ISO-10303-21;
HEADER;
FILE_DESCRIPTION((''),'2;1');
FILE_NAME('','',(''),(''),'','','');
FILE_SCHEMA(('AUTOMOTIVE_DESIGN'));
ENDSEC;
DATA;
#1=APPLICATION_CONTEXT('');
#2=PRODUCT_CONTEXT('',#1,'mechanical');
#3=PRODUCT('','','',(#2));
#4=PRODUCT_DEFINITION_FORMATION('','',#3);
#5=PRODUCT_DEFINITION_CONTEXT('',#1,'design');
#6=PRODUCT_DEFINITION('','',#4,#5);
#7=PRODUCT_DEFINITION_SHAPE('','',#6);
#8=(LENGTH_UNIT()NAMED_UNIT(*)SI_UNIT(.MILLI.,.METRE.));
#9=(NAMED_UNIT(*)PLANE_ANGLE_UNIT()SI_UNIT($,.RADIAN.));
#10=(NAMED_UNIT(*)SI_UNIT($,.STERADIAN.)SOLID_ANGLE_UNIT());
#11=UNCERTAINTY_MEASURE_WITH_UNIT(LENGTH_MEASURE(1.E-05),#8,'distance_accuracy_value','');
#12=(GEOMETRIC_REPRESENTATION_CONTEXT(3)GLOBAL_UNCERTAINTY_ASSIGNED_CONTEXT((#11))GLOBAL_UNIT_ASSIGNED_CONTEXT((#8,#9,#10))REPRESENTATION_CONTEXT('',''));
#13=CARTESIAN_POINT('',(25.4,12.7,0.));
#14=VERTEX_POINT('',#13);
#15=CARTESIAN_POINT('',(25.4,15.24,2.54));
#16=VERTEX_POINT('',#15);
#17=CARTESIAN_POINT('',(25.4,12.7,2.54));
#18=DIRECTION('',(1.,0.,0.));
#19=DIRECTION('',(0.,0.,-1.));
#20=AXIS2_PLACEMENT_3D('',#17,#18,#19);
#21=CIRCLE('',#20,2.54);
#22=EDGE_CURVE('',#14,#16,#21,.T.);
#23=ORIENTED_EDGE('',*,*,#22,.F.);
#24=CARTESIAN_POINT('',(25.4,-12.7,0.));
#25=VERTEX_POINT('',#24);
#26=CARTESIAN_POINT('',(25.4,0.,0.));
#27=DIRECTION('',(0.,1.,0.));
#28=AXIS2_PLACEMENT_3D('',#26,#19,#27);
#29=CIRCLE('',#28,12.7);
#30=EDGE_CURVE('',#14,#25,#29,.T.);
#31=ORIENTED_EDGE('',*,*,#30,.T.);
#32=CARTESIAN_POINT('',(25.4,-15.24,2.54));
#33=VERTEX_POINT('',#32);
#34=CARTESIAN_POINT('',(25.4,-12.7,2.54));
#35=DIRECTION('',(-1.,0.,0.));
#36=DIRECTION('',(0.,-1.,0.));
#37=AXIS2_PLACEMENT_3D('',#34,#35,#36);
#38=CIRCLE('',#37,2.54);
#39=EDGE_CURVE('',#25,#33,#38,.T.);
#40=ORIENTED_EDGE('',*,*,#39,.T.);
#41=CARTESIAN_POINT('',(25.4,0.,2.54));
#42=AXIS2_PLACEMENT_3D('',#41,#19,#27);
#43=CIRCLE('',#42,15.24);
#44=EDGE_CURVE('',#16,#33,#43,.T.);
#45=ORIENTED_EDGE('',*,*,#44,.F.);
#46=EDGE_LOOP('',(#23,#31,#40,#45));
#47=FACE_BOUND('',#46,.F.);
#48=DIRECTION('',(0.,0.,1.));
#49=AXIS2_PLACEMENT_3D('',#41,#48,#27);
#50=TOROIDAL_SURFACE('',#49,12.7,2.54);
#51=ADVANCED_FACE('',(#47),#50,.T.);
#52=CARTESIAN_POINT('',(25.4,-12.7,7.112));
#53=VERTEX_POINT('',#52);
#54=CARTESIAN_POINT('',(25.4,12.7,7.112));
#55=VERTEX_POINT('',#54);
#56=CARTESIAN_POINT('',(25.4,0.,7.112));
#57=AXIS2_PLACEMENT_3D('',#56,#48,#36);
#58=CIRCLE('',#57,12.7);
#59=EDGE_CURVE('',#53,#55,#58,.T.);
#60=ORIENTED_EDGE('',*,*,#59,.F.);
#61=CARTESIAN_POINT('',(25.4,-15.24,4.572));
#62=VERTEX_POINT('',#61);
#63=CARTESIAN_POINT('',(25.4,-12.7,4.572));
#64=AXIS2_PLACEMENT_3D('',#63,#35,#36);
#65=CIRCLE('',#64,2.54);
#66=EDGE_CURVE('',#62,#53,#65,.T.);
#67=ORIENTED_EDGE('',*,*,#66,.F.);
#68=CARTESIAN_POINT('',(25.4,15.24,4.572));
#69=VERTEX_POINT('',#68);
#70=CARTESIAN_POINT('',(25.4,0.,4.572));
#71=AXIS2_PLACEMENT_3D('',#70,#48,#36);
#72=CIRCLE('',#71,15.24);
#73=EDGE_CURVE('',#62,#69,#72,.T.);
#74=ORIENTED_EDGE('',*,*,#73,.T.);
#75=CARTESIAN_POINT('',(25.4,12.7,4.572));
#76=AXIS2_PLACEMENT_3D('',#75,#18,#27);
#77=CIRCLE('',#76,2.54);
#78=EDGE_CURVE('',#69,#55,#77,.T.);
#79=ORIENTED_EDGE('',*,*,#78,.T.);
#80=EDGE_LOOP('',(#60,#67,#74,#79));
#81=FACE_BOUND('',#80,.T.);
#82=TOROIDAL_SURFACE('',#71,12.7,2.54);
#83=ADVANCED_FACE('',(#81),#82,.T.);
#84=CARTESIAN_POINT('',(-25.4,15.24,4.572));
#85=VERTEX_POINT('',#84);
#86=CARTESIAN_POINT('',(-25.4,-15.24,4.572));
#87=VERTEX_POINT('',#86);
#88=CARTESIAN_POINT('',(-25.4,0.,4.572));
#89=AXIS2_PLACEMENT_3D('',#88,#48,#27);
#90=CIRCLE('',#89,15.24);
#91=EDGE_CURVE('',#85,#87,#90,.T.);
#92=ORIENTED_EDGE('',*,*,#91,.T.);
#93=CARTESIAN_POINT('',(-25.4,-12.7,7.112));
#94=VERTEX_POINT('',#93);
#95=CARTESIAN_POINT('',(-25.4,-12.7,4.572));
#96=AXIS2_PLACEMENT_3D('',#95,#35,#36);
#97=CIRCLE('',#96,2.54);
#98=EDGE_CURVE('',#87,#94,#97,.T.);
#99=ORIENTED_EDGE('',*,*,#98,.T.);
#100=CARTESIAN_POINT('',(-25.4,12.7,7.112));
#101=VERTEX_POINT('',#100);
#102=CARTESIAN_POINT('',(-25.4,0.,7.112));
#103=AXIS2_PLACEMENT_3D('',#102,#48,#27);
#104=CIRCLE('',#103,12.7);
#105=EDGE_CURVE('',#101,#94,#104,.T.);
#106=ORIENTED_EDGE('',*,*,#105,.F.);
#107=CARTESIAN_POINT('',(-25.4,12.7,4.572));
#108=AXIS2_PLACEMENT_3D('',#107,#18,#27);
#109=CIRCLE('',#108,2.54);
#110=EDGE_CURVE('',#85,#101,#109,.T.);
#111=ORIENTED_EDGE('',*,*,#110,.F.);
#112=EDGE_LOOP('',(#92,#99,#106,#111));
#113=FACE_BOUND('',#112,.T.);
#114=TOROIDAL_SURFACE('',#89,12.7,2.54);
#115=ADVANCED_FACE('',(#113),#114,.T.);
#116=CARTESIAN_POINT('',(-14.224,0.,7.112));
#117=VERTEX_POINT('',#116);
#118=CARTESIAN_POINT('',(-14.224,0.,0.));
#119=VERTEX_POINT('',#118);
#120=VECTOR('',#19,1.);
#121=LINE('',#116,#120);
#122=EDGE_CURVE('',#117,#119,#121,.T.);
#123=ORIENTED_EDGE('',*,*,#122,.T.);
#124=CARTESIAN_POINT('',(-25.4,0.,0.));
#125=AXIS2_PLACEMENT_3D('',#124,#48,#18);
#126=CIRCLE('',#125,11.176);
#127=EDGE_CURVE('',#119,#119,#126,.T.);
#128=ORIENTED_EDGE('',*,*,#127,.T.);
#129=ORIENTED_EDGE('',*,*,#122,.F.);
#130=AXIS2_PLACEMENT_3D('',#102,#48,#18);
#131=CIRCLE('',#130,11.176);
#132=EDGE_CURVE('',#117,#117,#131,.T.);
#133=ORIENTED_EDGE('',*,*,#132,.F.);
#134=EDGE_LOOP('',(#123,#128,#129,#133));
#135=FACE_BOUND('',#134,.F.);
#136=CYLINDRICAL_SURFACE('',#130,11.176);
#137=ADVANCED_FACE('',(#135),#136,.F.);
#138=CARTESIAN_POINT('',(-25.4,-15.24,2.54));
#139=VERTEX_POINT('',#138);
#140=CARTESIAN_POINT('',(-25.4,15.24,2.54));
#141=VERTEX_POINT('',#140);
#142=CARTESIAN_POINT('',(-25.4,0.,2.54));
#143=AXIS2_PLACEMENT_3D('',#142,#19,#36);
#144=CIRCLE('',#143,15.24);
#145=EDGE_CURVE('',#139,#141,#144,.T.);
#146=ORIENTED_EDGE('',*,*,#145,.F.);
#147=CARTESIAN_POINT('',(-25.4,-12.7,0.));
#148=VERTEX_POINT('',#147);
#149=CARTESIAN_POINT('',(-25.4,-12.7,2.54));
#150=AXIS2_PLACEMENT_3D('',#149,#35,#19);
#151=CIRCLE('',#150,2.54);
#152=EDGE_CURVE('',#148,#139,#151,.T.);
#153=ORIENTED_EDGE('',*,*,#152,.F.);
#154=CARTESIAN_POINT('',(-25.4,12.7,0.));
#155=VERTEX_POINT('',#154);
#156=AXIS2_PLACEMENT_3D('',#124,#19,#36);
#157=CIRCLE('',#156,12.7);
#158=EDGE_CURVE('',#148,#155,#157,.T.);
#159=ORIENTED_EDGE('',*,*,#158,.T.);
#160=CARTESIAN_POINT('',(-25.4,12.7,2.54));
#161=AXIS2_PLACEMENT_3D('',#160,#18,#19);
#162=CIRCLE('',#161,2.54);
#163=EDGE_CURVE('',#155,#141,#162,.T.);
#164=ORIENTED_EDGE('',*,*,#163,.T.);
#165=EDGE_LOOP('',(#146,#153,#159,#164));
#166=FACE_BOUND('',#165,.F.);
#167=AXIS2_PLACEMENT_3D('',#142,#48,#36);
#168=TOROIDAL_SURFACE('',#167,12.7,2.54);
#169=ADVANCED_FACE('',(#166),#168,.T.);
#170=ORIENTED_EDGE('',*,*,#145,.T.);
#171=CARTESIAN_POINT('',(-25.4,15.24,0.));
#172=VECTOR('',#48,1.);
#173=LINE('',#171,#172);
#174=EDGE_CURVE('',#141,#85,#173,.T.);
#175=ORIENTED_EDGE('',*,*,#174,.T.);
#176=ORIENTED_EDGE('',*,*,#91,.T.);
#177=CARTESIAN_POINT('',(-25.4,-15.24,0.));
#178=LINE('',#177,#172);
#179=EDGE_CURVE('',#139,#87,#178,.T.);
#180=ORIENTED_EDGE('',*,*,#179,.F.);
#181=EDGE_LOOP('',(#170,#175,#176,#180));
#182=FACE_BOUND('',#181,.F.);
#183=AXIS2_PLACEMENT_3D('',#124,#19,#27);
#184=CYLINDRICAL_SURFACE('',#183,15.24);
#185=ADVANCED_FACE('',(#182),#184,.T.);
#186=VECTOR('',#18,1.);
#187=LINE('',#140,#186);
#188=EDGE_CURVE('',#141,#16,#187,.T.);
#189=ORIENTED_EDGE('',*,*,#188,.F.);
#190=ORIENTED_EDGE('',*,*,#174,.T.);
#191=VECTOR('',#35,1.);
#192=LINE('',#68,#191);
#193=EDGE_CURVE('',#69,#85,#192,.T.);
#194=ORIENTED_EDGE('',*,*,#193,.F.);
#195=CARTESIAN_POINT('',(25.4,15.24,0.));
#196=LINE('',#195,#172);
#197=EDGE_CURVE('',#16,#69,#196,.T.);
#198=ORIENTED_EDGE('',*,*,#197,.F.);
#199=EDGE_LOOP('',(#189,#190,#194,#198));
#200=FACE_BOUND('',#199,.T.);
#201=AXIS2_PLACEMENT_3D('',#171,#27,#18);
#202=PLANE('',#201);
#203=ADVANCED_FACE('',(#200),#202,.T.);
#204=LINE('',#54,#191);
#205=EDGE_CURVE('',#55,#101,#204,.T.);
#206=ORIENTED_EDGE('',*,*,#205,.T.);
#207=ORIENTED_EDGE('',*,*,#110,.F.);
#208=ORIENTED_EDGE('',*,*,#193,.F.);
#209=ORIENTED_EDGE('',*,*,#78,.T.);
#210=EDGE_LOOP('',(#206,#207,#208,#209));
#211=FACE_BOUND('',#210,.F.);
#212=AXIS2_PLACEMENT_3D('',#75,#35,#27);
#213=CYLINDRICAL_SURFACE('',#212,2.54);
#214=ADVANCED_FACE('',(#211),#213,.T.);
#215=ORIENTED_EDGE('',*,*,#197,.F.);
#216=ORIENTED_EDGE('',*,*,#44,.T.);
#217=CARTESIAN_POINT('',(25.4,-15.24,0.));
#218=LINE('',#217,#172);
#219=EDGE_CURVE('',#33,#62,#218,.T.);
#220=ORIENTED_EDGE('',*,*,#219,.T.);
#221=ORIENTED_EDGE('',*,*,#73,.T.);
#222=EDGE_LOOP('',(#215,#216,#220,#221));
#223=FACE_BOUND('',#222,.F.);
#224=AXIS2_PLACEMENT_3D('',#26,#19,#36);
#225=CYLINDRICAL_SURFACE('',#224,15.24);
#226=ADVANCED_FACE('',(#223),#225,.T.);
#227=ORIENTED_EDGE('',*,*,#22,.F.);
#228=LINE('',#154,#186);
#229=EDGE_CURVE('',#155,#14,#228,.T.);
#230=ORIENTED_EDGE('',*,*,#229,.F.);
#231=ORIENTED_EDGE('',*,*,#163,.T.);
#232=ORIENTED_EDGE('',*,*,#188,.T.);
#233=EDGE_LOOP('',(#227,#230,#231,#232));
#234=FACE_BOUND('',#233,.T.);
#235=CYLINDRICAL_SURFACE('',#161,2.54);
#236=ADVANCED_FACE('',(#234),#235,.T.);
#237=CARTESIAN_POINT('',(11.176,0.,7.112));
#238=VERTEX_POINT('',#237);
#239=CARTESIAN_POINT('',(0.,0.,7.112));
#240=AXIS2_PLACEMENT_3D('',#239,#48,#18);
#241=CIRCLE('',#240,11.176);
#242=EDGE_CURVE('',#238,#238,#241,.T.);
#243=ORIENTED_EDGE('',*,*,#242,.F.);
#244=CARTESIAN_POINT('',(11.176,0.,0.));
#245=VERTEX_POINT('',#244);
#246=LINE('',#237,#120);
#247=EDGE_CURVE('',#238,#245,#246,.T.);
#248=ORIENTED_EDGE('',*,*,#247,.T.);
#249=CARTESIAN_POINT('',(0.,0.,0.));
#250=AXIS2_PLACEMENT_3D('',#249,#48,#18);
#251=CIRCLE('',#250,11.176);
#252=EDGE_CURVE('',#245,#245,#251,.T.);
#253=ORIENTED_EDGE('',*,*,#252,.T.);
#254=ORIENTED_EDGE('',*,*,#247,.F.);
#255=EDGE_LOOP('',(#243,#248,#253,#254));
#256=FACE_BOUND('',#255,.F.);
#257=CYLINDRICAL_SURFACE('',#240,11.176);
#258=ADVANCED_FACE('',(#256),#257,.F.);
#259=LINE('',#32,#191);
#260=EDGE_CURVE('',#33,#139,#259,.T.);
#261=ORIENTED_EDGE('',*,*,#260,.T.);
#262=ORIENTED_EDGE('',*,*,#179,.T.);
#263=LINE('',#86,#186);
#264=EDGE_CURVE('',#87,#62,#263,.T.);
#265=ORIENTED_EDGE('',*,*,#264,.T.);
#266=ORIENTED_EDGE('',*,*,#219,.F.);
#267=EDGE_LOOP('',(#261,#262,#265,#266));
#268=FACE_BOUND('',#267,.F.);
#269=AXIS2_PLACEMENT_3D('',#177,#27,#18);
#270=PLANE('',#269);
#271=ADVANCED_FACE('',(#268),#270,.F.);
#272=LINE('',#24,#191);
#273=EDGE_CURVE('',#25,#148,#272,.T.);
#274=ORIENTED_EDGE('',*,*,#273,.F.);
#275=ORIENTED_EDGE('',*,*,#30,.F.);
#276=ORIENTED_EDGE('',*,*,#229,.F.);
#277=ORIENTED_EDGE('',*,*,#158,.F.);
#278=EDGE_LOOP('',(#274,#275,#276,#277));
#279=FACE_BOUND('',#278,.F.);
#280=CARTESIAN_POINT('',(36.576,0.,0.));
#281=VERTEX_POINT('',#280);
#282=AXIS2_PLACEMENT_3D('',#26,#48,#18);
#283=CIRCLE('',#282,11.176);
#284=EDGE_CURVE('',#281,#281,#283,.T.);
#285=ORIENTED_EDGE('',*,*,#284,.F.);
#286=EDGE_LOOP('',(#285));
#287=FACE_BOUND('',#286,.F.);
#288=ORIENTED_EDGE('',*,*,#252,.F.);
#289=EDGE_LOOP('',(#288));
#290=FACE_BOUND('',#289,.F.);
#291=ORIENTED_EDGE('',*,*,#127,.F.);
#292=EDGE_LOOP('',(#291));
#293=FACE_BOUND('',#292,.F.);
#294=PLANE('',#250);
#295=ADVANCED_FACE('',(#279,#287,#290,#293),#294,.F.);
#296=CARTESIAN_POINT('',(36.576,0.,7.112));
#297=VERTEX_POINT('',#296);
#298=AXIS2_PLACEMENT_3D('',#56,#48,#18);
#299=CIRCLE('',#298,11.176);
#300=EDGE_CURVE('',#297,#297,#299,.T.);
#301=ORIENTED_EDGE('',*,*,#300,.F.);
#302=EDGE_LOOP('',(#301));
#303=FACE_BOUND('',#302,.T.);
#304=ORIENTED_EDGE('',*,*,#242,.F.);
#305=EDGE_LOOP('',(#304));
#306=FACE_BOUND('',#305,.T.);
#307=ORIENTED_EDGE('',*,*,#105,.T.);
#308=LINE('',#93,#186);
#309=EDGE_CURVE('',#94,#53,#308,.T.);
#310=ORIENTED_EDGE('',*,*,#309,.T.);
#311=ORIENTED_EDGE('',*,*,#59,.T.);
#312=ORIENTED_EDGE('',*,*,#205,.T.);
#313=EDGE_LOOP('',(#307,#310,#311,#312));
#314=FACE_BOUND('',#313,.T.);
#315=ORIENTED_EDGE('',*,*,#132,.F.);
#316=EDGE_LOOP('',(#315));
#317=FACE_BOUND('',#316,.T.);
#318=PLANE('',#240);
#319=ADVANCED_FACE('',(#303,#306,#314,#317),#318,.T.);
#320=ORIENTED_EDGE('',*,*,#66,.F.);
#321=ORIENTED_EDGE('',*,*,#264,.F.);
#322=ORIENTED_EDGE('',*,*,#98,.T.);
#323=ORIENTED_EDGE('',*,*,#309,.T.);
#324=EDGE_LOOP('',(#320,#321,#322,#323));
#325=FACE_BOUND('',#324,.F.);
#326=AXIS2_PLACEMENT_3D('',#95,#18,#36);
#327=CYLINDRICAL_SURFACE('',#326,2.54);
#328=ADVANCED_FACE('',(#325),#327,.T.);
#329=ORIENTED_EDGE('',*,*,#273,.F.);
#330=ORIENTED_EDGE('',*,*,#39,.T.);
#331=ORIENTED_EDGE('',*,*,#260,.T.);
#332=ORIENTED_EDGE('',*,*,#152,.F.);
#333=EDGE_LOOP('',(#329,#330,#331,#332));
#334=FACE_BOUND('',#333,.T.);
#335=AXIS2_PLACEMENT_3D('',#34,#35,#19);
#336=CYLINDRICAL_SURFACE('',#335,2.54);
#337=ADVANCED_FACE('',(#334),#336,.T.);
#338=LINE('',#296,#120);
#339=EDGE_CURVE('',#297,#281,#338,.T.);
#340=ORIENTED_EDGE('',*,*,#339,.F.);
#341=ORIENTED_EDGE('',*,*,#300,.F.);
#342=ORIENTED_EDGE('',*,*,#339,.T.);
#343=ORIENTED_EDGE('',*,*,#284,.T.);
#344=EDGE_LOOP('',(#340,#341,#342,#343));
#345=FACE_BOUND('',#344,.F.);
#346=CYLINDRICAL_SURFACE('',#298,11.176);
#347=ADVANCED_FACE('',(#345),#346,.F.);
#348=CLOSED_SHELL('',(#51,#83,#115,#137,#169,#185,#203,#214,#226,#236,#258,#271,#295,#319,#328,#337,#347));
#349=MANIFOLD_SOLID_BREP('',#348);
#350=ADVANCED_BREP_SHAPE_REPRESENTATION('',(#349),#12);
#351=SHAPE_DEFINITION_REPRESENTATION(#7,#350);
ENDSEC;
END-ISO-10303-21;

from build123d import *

# Parameters (mm, degrees)
F0_W     = 50.8
F0_H     = 30.48
F1_DEPTH = 7.112
F2_R     = 11.176
F3_DEPTH = 25.4
F4_R     = 2.54


with BuildPart() as f1:
    # F0 (on Top) → F1 (new body)
    with BuildSketch(Plane.XY):
        Rectangle(F0_W, F0_H)
        with BuildLine():
            ThreePointArc((25.4, -15.24), (40.64, 0), (25.4, 15.24))
            Line((25.4, 15.24), (25.4, -15.24))
        make_face()
        with BuildLine():
            Line((-25.4, -15.24), (-25.4, 15.24))
            ThreePointArc((-25.4, 15.24), (-40.64, 0), (-25.4, -15.24))
        make_face()
    extrude(amount=F1_DEPTH)

    # F2 (on face) → F3 (cut)
    with BuildSketch(Plane.XY.offset(7.112)):
        Circle(F2_R)
        with Locations((-25.4, 0)):
            Circle(F2_R)
        with Locations((25.4, 0)):
            Circle(F2_R)
    extrude(amount=-F3_DEPTH, mode=Mode.SUBTRACT)

    # F4
    f4_edges = [f1.edges().sort_by_distance(p)[0] for p in [
        (0, 15.24, 0),
        (-40.64, 0, 0),
        (0, -15.24, 0),
        (40.64, 0, 0),
        (40.64, 0, 7.112),
        (0, 15.24, 7.112),
        (-40.64, 0, 7.112),
        (0, -15.24, 7.112),
    ]]
    fillet(f4_edges, radius=F4_R)


solid = f1.part
